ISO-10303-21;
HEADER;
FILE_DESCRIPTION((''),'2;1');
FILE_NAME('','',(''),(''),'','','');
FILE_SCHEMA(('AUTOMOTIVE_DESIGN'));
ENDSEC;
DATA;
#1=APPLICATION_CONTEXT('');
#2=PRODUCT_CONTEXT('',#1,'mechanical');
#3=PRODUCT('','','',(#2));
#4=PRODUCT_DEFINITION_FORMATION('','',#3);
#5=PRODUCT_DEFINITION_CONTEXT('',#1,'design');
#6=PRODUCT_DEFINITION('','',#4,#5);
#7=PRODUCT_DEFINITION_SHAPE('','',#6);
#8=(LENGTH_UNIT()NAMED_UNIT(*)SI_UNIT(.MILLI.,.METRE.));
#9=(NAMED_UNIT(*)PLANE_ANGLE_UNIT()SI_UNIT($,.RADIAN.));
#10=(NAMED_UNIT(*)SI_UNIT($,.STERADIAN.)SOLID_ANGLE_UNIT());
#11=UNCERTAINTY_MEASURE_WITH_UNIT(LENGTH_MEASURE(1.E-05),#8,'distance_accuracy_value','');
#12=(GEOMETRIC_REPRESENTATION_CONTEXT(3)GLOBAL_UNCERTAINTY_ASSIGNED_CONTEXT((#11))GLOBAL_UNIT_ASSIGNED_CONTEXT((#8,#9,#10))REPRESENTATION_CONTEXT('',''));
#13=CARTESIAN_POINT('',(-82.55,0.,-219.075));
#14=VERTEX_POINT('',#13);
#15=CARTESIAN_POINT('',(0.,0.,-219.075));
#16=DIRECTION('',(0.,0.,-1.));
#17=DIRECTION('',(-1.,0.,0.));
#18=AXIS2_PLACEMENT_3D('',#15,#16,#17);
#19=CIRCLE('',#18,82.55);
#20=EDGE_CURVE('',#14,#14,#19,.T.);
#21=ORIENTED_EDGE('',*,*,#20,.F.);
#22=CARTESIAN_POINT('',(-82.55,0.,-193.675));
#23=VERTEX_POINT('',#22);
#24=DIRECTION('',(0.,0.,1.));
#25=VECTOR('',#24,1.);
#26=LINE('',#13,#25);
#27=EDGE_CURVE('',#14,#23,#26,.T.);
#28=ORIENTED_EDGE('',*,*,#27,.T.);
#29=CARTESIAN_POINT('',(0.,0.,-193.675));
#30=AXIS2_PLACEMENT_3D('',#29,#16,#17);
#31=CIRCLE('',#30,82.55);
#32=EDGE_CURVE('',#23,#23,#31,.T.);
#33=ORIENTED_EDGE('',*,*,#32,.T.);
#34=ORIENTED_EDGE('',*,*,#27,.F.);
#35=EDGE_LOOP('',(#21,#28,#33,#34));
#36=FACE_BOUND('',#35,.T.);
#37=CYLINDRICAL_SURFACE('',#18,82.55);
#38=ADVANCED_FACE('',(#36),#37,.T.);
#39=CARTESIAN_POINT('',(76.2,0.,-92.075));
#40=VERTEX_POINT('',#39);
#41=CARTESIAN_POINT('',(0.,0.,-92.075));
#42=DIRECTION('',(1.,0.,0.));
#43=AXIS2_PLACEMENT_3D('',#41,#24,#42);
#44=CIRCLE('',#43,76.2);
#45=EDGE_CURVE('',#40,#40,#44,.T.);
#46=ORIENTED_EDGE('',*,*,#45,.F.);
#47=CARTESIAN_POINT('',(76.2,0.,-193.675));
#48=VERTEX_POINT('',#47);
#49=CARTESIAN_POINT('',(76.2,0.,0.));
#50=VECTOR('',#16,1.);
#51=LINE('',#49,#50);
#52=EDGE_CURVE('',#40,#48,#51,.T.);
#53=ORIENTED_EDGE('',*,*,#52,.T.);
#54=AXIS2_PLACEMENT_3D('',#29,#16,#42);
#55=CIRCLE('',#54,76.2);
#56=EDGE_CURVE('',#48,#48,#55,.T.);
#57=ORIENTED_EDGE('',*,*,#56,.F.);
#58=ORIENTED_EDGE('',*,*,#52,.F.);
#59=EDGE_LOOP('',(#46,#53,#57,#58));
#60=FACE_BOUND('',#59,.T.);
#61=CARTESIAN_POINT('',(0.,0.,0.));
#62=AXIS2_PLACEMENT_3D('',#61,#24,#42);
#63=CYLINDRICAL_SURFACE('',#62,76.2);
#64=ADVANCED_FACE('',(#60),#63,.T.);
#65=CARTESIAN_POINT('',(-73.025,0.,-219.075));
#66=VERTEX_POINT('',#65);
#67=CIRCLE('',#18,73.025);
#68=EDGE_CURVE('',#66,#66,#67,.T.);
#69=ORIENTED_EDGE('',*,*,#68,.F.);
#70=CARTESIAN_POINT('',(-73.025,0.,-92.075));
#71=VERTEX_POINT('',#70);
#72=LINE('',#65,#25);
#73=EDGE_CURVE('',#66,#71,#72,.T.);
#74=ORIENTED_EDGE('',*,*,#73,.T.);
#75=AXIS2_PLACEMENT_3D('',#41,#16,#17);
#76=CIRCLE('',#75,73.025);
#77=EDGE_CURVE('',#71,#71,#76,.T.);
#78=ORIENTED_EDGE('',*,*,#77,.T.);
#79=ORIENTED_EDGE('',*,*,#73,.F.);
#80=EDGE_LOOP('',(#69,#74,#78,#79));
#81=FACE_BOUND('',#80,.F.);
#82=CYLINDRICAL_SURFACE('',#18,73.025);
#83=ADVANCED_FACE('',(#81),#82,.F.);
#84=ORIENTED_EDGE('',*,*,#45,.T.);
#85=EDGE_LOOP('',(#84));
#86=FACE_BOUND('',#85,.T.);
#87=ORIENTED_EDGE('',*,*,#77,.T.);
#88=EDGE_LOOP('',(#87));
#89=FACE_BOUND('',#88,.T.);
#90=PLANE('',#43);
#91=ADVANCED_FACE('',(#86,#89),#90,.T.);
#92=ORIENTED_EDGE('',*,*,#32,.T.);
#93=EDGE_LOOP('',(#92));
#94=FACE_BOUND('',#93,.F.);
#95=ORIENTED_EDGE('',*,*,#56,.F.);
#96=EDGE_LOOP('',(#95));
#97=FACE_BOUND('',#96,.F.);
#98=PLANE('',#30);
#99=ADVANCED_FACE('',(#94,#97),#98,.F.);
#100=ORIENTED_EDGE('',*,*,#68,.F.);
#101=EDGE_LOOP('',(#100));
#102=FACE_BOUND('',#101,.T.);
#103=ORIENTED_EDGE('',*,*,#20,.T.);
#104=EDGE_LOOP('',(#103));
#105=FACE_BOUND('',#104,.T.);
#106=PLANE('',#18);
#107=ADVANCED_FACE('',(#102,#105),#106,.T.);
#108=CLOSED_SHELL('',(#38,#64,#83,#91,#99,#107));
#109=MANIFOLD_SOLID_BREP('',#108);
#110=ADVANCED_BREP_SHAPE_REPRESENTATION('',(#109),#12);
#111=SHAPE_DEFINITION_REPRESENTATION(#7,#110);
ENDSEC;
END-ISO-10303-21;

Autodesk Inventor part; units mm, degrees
ref_plane "YZ Plane" through (0, 0, 0) normal (1, 0, 0) x (0, 1, 0)
ref_plane "XZ Plane" through (0, 0, 0) normal (0, 1, 0) x (-1, 0, 0)
ref_plane "XY Plane" through (0, 0, 0) normal (0, 0, 1) x (1, 0, 0)
sketch "Sketch1" plane through (0, 0, 0) normal (0, 0, 1) x (1, 0, 0)
  circle A0 centre (0, 0) radius 76.2
  dimension "tubeDiameter" = 152.4
extrude "Extrusion1" add sketch "Sketch1" along normal mid plane 438.15
sketch "Sketch2" plane through (0, 0, -219.075) normal (0, 0, -1) x (-1, 0, 0)
  circle A0 centre (0, 0) radius 73.025
  dimension "d6" = 146.05
extrude "Extrusion2" cut sketch "Sketch2" against normal blind 406.4
sketch "Sketch3" plane through (0, 0, 219.075) normal (0, 0, 1) x (1, 0, 0)
  circle A0 centre (0, 0) radius 82.55
  circle A1 centre (0, 0) radius 76.2
  dimension "d9" = 165.1
extrude "Extrusion3" add sketch "Sketch3" against normal blind 25.4
sketch "Sketch4" plane through (0, 0, -219.075) normal (0, 0, -1) x (-1, 0, 0)
  circle A0 centre (0, 0) radius 76.2
  circle A1 centre (0, 0) radius 82.55
extrude "Extrusion4" add sketch "Sketch4" against normal blind 25.4
sketch "Sketch7" plane through (0, 0, 219.075) normal (0, 0, 1) x (1, 0, 0)
  circle A0 centre (0, 0) radius 82.55 projected
  circle A1 centre (0, 0) radius 82.55
extrude "Extrusion6" cut sketch "Sketch7" against normal blind 311.15
properties part number "trussTelescopeTubeFront" material "Aluminum 6061"
